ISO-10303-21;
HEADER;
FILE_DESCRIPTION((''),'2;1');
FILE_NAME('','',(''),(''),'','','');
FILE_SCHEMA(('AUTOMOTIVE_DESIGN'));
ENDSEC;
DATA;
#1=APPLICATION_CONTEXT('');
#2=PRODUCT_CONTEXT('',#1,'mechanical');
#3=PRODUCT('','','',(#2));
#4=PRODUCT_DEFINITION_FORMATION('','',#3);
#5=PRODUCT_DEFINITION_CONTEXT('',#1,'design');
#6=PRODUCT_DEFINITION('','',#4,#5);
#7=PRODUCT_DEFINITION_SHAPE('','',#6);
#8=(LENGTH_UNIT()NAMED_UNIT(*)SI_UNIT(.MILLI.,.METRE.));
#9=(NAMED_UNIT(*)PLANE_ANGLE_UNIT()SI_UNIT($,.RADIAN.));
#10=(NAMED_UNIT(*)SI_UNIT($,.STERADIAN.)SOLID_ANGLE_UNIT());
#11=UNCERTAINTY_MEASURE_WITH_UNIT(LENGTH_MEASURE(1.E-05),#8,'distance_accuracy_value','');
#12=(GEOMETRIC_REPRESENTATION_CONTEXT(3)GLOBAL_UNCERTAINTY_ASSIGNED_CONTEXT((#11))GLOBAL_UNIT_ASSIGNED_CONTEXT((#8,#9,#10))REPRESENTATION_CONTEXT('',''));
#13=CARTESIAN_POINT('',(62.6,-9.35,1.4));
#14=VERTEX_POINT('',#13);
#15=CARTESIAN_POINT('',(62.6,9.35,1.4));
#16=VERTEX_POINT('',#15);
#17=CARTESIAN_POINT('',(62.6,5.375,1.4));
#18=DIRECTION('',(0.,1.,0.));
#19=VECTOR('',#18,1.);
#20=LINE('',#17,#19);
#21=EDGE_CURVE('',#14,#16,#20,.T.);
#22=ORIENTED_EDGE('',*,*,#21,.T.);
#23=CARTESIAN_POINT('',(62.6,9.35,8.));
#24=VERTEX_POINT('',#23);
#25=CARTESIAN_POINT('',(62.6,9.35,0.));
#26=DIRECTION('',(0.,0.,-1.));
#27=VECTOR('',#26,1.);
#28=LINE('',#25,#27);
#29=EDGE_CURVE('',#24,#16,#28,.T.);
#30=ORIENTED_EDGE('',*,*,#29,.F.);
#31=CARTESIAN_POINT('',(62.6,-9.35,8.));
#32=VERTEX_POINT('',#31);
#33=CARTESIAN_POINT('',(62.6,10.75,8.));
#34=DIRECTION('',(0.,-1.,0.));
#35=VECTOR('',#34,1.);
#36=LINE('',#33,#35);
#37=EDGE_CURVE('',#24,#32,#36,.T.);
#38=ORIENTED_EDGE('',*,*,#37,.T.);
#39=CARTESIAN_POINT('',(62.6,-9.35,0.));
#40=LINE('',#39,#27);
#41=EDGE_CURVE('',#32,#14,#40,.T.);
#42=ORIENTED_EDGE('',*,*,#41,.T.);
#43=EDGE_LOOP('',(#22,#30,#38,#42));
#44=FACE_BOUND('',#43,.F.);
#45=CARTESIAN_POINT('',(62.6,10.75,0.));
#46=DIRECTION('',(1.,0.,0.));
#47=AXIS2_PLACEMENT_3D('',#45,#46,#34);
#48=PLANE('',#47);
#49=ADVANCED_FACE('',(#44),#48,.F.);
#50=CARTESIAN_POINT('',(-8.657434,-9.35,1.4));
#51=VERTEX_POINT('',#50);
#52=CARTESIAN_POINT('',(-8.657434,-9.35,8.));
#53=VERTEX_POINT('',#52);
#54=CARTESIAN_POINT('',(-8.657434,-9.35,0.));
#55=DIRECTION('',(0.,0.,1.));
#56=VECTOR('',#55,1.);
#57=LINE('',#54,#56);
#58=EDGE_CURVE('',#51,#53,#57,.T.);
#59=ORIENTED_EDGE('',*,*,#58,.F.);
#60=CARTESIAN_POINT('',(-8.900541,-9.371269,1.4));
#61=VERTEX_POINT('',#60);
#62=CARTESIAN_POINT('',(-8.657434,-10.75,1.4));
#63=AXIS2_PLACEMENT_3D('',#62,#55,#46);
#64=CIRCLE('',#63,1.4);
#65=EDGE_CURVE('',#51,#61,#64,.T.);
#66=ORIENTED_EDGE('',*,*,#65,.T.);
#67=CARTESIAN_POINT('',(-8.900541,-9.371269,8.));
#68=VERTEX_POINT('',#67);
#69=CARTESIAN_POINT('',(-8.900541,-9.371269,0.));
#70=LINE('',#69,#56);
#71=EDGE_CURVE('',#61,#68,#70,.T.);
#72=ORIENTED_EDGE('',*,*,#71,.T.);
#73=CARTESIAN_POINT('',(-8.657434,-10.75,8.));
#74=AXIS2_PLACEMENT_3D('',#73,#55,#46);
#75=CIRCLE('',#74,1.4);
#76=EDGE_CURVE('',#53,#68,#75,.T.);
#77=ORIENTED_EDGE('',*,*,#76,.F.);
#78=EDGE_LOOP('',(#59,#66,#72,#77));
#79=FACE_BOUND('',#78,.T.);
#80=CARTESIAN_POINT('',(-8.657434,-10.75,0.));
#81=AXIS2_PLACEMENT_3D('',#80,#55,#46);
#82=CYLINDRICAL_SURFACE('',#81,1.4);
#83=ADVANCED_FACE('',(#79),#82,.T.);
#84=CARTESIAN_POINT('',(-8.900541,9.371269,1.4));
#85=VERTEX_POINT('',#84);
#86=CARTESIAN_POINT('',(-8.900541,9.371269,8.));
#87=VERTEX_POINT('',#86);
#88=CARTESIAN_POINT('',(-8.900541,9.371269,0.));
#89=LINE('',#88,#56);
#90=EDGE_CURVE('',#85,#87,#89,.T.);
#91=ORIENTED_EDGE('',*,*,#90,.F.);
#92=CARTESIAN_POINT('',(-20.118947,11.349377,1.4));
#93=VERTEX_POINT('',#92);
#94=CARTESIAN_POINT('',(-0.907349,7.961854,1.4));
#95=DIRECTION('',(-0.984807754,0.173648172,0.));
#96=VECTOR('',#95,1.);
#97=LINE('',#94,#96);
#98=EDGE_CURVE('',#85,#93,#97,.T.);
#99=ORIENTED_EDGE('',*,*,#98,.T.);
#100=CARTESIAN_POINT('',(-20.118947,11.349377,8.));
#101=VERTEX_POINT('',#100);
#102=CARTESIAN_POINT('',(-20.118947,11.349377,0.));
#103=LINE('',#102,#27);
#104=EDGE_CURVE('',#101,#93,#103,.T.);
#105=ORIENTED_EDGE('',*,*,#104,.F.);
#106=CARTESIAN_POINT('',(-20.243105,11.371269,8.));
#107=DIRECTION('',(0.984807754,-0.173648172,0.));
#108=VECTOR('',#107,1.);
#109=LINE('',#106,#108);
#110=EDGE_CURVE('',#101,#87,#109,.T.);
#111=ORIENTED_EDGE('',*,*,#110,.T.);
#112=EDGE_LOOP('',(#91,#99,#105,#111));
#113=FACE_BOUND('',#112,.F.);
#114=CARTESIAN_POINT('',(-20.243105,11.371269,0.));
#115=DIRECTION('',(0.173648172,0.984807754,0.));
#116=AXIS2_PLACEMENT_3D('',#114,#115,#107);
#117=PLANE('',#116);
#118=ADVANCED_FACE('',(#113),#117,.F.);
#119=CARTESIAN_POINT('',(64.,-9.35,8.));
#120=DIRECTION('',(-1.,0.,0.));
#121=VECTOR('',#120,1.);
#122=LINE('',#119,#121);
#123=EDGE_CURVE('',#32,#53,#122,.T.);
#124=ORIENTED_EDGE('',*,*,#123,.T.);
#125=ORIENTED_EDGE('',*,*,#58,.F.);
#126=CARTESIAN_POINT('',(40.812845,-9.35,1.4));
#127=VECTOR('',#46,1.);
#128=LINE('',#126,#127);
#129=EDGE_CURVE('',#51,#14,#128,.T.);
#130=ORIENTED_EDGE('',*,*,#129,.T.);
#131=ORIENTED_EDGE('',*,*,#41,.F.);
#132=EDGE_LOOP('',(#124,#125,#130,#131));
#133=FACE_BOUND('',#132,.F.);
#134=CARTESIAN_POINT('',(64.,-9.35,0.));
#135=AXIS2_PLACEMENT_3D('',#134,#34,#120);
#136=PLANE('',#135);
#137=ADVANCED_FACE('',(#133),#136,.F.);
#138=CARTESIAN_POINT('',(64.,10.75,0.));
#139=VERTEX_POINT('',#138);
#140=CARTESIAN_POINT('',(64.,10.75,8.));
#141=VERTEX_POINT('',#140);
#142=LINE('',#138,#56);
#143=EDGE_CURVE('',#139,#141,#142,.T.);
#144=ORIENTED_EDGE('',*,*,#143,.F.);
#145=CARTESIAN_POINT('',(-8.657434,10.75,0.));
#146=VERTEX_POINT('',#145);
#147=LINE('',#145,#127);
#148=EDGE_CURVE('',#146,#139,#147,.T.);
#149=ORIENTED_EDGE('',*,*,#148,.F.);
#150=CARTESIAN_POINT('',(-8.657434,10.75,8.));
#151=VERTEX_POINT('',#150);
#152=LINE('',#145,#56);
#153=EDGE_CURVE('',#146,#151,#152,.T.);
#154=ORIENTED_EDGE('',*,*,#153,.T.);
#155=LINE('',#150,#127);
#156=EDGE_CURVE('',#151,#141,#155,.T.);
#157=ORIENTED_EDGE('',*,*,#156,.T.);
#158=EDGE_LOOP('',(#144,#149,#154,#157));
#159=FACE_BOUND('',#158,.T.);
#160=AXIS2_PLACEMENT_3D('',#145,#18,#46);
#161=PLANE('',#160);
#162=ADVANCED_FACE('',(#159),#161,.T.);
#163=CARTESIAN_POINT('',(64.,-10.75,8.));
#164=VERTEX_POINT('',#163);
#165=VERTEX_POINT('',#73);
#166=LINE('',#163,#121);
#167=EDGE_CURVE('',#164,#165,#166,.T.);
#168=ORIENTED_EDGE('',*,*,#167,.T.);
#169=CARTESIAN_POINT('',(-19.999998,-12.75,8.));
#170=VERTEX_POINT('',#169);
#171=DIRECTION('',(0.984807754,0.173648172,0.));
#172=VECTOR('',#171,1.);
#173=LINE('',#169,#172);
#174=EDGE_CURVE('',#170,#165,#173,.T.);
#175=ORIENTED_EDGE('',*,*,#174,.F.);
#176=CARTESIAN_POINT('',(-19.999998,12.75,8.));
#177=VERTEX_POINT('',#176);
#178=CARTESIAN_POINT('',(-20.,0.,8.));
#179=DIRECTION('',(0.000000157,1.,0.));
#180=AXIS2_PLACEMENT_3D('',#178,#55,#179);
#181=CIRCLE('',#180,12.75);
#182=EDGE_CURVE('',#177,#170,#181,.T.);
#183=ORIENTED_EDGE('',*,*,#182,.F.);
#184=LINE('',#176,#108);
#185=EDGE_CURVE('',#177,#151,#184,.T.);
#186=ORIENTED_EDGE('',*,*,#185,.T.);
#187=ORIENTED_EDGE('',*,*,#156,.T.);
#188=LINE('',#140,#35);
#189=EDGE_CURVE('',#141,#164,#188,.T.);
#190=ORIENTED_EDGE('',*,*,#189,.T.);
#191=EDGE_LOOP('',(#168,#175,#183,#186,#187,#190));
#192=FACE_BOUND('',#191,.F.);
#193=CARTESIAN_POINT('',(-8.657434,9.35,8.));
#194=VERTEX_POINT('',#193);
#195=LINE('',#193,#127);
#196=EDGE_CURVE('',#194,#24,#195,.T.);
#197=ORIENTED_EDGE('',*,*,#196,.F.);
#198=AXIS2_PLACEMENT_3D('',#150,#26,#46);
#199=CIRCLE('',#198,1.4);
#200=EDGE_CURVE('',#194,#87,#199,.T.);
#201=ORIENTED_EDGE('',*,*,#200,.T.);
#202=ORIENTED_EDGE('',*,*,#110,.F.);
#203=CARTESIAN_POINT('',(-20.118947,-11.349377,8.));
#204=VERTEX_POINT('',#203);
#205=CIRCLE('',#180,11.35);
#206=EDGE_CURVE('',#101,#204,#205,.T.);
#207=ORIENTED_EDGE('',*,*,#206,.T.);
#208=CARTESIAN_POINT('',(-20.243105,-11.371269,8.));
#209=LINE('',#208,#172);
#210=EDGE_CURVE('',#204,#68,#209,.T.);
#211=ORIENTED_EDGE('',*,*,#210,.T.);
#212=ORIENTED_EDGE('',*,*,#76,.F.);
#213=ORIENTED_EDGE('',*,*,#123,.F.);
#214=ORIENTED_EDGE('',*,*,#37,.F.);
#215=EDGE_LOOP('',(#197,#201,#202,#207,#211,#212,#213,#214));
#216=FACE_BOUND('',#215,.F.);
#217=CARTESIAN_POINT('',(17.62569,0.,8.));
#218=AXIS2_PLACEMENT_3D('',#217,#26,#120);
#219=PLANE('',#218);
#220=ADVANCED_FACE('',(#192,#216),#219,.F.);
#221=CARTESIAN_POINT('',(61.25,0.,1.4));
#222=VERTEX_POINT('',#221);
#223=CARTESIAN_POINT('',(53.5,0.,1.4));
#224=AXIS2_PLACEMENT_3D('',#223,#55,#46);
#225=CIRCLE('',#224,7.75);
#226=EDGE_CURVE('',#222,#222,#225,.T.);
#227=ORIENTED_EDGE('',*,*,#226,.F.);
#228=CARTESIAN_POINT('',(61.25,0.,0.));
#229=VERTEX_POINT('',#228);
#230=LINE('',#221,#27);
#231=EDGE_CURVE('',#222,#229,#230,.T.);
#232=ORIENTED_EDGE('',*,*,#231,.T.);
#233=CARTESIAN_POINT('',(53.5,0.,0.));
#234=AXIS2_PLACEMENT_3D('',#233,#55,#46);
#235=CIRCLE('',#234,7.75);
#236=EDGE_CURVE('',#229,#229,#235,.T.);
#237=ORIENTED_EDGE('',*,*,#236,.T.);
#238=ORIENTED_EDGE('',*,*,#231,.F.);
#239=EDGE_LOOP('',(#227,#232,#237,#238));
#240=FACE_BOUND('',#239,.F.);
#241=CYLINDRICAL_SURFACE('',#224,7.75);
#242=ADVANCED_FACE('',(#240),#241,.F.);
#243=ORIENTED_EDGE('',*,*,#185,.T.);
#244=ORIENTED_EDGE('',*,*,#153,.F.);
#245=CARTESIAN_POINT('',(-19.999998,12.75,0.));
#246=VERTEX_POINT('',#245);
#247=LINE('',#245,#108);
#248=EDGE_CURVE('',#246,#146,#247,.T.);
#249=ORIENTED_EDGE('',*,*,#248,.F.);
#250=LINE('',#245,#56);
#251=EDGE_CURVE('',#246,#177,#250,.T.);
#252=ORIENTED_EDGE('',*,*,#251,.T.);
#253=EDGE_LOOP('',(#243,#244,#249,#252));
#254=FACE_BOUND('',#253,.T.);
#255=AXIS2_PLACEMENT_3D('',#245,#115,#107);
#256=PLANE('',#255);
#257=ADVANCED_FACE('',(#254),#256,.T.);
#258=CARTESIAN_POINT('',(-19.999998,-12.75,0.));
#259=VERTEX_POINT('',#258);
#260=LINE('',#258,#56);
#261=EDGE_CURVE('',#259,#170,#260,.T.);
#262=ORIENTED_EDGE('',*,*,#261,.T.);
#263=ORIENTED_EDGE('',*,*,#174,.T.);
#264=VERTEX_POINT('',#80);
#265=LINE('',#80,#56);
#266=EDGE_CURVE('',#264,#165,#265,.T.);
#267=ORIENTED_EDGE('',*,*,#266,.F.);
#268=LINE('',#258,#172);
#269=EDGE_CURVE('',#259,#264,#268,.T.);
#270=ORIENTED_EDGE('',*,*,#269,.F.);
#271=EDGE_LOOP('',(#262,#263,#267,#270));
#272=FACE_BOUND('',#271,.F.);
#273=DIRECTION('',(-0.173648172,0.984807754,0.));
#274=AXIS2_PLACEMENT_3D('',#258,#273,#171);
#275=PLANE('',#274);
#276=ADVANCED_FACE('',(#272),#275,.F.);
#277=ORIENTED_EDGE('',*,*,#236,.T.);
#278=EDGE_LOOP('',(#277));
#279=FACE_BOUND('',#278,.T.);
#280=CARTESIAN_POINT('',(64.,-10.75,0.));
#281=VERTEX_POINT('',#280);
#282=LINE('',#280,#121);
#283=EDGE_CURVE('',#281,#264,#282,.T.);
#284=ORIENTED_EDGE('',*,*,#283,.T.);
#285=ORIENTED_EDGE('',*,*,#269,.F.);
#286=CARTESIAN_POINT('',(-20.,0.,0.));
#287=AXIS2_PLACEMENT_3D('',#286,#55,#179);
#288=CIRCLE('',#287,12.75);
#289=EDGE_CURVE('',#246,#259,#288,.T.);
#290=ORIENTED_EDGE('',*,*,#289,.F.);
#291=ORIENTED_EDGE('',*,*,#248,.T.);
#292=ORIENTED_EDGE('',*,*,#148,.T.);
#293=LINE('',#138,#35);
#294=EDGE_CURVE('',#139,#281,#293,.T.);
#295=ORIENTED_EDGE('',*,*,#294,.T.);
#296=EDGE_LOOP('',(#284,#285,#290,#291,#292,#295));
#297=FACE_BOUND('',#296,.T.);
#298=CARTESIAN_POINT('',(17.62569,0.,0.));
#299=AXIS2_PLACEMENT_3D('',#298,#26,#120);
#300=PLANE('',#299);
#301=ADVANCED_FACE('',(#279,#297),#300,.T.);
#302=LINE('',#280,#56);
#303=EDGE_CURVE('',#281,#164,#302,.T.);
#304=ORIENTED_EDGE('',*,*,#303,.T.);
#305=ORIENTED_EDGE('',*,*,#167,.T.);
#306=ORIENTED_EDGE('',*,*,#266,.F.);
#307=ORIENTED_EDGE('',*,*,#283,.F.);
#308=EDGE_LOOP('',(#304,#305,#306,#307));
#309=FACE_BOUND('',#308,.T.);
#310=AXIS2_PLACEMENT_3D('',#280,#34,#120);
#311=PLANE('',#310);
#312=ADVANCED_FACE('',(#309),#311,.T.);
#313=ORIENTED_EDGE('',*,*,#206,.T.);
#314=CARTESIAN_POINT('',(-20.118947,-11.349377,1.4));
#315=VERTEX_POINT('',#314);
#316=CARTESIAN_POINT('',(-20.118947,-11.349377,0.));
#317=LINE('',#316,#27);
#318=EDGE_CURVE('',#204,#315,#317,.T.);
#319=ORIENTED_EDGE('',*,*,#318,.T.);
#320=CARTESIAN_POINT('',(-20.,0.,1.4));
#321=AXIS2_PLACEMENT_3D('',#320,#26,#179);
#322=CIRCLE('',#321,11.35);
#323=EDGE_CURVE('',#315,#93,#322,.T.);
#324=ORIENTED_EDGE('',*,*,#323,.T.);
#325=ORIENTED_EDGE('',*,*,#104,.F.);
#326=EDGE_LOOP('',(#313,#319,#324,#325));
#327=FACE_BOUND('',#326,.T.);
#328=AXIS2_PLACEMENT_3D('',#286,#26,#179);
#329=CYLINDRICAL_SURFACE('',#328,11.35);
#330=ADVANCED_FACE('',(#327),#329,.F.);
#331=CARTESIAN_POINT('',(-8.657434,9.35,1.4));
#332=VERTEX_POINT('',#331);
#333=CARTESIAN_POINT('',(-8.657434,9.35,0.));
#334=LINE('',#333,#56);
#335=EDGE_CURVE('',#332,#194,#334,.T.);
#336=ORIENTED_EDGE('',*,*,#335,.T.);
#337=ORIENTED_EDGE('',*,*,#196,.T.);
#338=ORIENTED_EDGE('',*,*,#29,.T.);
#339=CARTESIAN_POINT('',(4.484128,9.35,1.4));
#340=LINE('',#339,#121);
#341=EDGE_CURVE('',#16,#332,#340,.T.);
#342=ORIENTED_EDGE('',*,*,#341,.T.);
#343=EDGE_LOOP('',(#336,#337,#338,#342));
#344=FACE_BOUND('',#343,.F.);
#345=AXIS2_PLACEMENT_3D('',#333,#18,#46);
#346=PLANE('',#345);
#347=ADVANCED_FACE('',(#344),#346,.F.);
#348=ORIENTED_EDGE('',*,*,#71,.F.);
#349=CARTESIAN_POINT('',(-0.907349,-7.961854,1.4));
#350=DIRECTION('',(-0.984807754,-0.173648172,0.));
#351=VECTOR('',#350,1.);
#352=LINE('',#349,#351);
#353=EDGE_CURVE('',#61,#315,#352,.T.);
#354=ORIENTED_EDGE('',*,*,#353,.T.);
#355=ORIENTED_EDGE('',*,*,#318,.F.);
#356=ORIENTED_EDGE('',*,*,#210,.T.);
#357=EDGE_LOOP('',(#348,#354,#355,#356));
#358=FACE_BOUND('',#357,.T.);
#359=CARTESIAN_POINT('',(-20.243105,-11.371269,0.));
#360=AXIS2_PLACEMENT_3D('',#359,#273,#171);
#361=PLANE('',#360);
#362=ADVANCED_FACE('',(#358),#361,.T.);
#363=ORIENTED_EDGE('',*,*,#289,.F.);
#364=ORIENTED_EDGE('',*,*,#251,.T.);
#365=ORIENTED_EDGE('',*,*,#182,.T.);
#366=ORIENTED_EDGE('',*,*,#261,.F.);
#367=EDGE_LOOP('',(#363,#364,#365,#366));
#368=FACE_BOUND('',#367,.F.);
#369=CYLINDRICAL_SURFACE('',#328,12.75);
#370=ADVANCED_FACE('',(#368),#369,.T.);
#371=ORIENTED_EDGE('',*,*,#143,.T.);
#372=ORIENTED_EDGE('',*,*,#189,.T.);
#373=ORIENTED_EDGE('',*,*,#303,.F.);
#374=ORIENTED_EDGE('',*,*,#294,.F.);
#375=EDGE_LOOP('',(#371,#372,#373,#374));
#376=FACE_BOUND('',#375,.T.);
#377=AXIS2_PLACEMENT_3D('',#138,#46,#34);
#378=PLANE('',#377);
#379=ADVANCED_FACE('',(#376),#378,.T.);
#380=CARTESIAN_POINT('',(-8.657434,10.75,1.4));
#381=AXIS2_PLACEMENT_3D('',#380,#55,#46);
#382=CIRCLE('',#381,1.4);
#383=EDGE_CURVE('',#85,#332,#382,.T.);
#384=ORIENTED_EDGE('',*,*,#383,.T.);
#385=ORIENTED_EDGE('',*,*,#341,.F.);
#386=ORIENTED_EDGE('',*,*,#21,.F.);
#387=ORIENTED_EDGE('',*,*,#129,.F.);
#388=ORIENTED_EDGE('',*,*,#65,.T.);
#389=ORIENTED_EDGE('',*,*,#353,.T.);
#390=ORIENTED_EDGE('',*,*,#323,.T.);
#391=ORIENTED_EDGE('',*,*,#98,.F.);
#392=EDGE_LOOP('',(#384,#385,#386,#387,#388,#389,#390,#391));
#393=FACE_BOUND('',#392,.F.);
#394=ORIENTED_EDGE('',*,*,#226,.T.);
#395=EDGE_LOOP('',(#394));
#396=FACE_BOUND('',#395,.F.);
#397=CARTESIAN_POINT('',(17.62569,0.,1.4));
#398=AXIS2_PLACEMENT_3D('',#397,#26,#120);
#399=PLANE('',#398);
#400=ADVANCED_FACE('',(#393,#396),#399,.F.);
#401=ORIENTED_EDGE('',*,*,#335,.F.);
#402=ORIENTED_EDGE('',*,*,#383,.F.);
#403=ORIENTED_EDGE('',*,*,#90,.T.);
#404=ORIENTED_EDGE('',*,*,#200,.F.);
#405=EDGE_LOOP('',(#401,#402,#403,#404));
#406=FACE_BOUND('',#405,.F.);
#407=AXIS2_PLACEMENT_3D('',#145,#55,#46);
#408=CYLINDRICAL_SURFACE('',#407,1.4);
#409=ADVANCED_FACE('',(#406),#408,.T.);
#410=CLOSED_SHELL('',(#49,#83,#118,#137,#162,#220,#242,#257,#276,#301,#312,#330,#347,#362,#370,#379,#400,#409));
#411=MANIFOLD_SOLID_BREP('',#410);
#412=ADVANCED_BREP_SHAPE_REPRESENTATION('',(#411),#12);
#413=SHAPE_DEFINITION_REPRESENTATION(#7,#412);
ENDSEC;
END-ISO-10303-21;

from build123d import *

# Parameters (mm, degrees)
PAD009_DEPTH    = 8
THICKNESS_T     = -1.4
SKETCH017_R     = 7.75
POCKET006_DEPTH = 1.401


with BuildPart() as part:
    # Sketch016 → Pad009 (new body)
    with BuildSketch(Plane.XY):
        with BuildLine():
            Line((-8.657434, 10.75), (64, 10.75))
            Line((64, 10.75), (64, -10.75))
            Line((64, -10.75), (-8.657434, -10.75))
            Line((-19.999998, -12.75), (-8.657434, -10.75))
            ThreePointArc((-19.999998, 12.75), (-32.75, 0), (-19.999998, -12.75))
            Line((-19.999998, 12.75), (-8.657434, 10.75))
        make_face()
    extrude(amount=PAD009_DEPTH)

    # Thickness
    thickness_openings = [part.faces().sort_by_distance(p)[0] for p in [
        (15.774779, 0, 8),
    ]]
    offset(amount=THICKNESS_T, openings=thickness_openings)

    # Sketch017 (on Face17 of Thickness) → Pocket006 (cut, through all)
    with BuildSketch(Plane.XY.offset(1.4)):
        with Locations((53.5, 0)):
            Circle(SKETCH017_R)
    extrude(amount=-POCKET006_DEPTH, mode=Mode.SUBTRACT)


solid = part.part
